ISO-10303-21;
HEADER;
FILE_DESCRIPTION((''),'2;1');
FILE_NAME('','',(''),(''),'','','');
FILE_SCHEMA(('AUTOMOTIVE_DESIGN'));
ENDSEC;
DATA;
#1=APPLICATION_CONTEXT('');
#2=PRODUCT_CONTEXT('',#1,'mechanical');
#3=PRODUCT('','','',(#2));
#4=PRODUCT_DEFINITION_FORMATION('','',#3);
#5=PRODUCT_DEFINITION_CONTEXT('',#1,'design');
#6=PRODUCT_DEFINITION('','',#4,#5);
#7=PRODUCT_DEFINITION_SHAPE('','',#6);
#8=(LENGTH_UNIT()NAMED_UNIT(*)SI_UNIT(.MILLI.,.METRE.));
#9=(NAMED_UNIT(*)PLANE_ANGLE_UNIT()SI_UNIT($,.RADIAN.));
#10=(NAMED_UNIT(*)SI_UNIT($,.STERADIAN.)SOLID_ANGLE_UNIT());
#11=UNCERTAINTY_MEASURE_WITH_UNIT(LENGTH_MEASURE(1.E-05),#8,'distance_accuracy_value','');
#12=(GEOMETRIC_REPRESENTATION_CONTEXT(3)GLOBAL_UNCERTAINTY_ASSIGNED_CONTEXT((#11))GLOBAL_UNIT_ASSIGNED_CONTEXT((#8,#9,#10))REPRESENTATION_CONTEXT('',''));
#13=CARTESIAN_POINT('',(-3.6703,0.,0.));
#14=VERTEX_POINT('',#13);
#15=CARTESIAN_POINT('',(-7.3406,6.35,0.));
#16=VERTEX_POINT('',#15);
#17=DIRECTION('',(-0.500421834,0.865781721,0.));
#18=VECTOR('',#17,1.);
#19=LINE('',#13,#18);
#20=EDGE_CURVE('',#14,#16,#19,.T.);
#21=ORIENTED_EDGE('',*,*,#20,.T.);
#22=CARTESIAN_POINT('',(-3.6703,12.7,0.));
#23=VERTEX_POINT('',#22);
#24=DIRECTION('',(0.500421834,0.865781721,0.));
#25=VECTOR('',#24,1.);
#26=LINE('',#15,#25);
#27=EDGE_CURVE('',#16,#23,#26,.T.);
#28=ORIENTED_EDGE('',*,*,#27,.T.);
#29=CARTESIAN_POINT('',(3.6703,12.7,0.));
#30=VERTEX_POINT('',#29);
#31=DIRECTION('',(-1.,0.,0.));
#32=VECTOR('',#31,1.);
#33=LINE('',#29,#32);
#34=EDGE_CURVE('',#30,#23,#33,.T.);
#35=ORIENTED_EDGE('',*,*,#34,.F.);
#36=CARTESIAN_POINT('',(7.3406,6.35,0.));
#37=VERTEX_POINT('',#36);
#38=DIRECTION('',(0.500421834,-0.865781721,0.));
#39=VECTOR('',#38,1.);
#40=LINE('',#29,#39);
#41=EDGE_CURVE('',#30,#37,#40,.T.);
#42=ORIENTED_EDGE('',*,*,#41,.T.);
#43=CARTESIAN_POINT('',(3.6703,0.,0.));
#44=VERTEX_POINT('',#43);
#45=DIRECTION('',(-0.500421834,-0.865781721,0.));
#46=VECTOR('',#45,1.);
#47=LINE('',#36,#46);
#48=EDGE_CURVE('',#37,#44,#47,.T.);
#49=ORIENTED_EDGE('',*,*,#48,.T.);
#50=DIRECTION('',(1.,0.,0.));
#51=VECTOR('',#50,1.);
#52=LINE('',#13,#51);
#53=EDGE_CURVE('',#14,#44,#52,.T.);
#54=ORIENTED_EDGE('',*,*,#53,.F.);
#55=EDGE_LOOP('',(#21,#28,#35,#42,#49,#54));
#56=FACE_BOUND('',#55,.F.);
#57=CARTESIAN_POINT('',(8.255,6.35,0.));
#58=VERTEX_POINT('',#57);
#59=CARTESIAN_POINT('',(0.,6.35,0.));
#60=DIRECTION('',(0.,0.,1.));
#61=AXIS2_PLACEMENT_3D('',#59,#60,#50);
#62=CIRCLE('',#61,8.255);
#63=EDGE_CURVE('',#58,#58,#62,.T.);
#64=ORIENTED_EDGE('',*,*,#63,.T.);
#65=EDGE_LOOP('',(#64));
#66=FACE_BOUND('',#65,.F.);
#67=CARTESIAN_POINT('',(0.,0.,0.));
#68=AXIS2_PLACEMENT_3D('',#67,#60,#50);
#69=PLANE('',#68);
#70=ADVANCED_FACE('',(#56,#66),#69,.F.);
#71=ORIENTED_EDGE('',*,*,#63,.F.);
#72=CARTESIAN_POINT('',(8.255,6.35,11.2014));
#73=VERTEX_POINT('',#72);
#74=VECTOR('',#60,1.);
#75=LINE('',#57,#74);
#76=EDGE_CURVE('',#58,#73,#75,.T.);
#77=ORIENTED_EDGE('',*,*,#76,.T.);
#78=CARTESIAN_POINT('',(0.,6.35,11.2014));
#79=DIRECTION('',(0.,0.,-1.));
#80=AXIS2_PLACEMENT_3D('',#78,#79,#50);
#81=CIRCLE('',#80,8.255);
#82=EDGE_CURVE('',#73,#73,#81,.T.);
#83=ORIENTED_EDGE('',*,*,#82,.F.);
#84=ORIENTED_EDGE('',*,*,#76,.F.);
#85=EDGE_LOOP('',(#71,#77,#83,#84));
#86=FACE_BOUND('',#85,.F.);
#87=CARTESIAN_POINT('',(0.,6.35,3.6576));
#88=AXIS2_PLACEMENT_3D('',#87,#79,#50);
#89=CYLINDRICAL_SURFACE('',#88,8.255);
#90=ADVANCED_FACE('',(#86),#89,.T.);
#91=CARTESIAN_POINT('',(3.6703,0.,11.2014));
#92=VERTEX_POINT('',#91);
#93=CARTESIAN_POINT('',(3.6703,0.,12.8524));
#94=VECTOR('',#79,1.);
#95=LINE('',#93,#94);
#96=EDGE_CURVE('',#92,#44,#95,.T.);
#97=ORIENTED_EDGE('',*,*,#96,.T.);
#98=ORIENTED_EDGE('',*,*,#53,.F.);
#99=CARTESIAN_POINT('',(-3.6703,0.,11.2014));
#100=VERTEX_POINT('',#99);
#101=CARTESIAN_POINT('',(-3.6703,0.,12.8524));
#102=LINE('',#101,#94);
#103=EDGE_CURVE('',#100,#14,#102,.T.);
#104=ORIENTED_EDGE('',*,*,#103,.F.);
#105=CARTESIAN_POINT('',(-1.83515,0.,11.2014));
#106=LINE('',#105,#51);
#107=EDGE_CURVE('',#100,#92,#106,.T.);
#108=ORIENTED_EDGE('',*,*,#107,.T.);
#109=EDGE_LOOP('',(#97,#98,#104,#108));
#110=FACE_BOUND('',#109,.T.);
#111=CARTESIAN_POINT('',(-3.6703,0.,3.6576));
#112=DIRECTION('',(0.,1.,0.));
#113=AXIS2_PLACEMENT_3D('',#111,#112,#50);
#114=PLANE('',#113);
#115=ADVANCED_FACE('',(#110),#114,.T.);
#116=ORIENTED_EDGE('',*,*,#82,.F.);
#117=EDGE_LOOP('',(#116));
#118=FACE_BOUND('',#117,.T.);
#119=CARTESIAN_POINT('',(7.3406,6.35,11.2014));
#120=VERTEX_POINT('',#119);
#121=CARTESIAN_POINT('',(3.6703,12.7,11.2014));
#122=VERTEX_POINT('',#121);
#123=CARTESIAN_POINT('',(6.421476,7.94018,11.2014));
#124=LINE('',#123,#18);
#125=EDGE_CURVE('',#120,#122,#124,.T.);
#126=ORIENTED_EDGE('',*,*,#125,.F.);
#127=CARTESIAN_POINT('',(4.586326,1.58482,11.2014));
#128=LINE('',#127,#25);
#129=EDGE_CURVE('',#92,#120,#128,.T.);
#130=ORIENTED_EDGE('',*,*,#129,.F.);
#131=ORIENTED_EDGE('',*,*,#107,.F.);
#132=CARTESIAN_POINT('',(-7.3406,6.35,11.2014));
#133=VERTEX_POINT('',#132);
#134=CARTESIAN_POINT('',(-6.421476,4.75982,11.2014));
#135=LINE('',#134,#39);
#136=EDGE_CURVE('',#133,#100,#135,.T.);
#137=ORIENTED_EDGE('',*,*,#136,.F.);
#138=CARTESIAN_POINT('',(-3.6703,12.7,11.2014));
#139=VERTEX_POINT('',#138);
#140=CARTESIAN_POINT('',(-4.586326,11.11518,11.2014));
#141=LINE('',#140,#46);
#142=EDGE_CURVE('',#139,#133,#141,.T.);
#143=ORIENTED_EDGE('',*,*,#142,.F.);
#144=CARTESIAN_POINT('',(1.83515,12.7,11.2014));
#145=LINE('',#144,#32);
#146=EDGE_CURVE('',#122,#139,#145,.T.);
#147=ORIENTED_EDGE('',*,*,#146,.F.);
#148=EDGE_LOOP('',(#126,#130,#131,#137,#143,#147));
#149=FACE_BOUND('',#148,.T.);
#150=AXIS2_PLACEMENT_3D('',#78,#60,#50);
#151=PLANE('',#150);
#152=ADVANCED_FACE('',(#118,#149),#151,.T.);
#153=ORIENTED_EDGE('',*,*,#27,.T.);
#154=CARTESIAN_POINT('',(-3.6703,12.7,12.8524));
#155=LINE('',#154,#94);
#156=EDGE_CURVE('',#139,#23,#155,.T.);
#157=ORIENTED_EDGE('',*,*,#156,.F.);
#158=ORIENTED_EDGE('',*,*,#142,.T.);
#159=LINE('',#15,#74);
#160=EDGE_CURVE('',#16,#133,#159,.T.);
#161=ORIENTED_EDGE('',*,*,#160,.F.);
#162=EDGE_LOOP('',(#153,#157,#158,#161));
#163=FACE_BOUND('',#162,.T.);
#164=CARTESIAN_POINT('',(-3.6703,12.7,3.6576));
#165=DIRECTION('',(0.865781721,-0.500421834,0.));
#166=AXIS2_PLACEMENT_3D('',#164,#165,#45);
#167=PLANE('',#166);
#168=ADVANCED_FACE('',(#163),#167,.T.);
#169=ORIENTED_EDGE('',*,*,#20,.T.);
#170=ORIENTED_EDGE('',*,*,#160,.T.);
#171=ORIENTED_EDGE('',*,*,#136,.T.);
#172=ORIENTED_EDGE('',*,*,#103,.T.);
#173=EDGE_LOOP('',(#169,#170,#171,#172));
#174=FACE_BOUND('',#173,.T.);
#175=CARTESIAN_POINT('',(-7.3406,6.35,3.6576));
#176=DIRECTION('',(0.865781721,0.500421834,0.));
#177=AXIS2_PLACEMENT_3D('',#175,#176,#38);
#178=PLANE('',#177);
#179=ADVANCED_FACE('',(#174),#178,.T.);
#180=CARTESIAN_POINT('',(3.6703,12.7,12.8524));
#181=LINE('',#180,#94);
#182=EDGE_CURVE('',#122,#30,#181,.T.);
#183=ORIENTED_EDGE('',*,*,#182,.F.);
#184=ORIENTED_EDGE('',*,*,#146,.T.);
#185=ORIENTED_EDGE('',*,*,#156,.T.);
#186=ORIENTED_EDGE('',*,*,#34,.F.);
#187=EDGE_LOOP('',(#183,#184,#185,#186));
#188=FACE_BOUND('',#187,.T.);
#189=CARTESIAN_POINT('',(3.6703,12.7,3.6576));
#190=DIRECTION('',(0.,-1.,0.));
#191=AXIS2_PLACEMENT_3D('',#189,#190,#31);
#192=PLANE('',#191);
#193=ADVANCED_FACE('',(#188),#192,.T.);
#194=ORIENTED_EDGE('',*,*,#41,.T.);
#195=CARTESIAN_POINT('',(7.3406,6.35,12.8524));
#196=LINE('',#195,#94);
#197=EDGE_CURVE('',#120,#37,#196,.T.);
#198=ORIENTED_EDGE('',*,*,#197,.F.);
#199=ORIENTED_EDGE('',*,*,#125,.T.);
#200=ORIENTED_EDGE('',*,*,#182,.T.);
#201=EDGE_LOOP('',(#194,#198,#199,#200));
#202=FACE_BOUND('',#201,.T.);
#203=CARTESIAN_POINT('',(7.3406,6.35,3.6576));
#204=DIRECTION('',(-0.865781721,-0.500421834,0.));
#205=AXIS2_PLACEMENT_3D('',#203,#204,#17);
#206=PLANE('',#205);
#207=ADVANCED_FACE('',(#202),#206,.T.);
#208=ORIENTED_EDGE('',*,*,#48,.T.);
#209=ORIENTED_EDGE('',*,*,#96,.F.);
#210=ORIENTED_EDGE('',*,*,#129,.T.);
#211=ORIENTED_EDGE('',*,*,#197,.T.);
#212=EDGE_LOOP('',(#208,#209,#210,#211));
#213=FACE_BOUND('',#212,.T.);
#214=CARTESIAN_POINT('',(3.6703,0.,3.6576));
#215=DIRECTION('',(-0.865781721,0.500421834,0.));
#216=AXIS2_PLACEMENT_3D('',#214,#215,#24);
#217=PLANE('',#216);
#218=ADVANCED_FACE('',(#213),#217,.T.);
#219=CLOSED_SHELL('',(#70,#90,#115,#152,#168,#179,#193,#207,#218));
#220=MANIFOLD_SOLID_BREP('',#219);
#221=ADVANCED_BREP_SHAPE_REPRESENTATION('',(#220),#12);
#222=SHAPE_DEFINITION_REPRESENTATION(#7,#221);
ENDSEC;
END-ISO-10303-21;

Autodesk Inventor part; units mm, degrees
ref_plane "YZ Plane" through (0, 0, 0) normal (1, 0, 0) x (0, 1, 0)
ref_plane "XZ Plane" through (0, 0, 0) normal (0, 1, 0) x (-1, 0, 0)
ref_plane "XY Plane" through (0, 0, 0) normal (0, 0, 1) x (1, 0, 0)
sketch "Sketch2" plane through (0, 0, 0) normal (0, 0, 1) x (1, 0, 0)
  line L0 (0, 12.7) -> (3.6703, 12.7)
  line L1 (0, 12.7) -> (-3.6703, 12.7)
  line L2 (0, 0) -> (3.6703, 0)
  line L3 (0, 0) -> (-3.6703, 0)
  line L4 (-3.6703, 0) -> (-7.3406, 6.35)
  line L5 (-7.3406, 6.35) -> (-3.6703, 12.7)
  line L6 (3.6703, 12.7) -> (7.3406, 6.35)
  line L7 (7.3406, 6.35) -> (3.6703, 0)
  line L8 (0, 0) -> (0, 6.35)
  circle A0 centre (0, 6.35) radius 8.255
  dimension "d11" = 6.35
  dimension "d12" = 16.51
extrude "Extrusion2" add sketch "Sketch2" along normal blind 6.223
sketch "Sketch3" plane through (0, 6.35, 6.223) normal (0, 0, 1) x (1, 0, 0)
  line L0 (-3.6703, -6.35) -> (-7.3406, 0) projected
  line L1 (-7.3406, 0) -> (-3.6703, 6.35) projected
  line L2 (-3.6703, 6.35) -> (3.6703, 6.35) projected
  line L3 (3.6703, 6.35) -> (7.3406, 0) projected
  line L4 (7.3406, 0) -> (3.6703, -6.35) projected
  line L5 (3.6703, -6.35) -> (-3.6703, -6.35) projected
  circle A0 centre (0, 0) radius 8.255 projected
  point P0 (0, -6.35)
extrude "Extrusion3" add sketch "Sketch3" along normal blind 3.302
sketch "Sketch4" plane through (0, 6.35, 9.525) normal (0, 0, 1) x (1, 0, 0)
  line L0 (-7.3406, 0) -> (-3.6703, 6.35) projected
  line L1 (-3.6703, 6.35) -> (3.6703, 6.35) projected
  line L2 (3.6703, 6.35) -> (7.3406, 0) projected
  line L3 (7.3406, 0) -> (3.6703, -6.35) projected
  line L4 (3.6703, -6.35) -> (-3.6703, -6.35) projected
  line L5 (-3.6703, -6.35) -> (-7.3406, 0) projected
  circle A0 centre (0, 0) radius 8.255 projected
  point P0 (0, -6.35)
extrude "Extrusion4" add sketch "Sketch4" along normal blind 6.5786
sketch "Sketch5" plane through (0, 6.35, 16.1036) normal (0, 0, 1) x (1, 0, 0)
  line L0 (-16.3467, 15.7745) -> (15.1254, 15.7745)
  line L1 (15.1254, 15.7745) -> (15.1254, -12.8793)
  line L2 (15.1254, -12.8793) -> (-16.3467, -12.8793)
  line L3 (-16.3467, -12.8793) -> (-16.3467, 15.7745)
  point P0 (0, -6.35)
extrude "Extrusion5" cut sketch "Sketch5" against normal blind 6.5786
sketch "Sketch8" plane through (0, 6.35, 9.525) normal (0, 0, 1) x (1, 0, 0)
  line L0 (-7.3406, 0) -> (-3.6703, -6.35) projected
  line L1 (-3.6703, 6.35) -> (-7.3406, 0) projected
  line L2 (3.6703, 6.35) -> (-3.6703, 6.35) projected
  line L3 (7.3406, 0) -> (3.6703, 6.35) projected
  line L4 (3.6703, -6.35) -> (7.3406, 0) projected
  line L5 (-3.6703, -6.35) -> (3.6703, -6.35) projected
  circle A0 centre (0, 0) radius 8.255 projected
  point P0 (0, -6.35)
extrude "Extrusion7" add sketch "Sketch8" along normal blind 15.875
sketch "Sketch9" plane through (0, 6.35, 25.4) normal (0, 0, 1) x (1, 0, 0)
  line L0 (-7.3406, 0) -> (-3.6703, 6.35) projected
  line L1 (-3.6703, 6.35) -> (3.6703, 6.35) projected
  line L2 (3.6703, 6.35) -> (7.3406, 0) projected
  line L3 (7.3406, 0) -> (3.6703, -6.35) projected
  line L4 (3.6703, -6.35) -> (-3.6703, -6.35) projected
  line L5 (-3.6703, -6.35) -> (-7.3406, 0) projected
  circle A0 centre (0, 0) radius 8.255 projected
  point P0 (0, -6.35)
extrude "Extrusion8" cut sketch "Sketch9" against normal blind 21.7424
sketch "Sketch10" plane through (0, 6.35, 3.6576) normal (0, 0, 1) x (1, 0, 0)
  line L0 (-7.3406, 0) -> (-3.6703, -6.35) projected
  line L1 (-3.6703, 6.35) -> (-7.3406, 0) projected
  line L2 (3.6703, 6.35) -> (-3.6703, 6.35) projected
  line L3 (7.3406, 0) -> (3.6703, 6.35) projected
  line L4 (3.6703, -6.35) -> (7.3406, 0) projected
  line L5 (-3.6703, -6.35) -> (3.6703, -6.35) projected
  circle A0 centre (0, 0) radius 8.255 projected
  point P0 (0, -6.35)
extrude "Extrusion9" add sketch "Sketch10" along normal blind 9.1948
sketch "Sketch11" plane through (0, 6.35, 12.8524) normal (0, 0, 1) x (1, 0, 0)
  line L0 (-15.4934, 11.3446) -> (16.2643, 11.3446)
  line L1 (16.2643, 11.3446) -> (16.2643, -11.0726)
  line L2 (16.2643, -11.0726) -> (-15.4934, -11.0726)
  line L3 (-15.4934, -11.0726) -> (-15.4934, 11.3446)
  point P0 (0, -6.35)
extrude "Extrusion10" cut sketch "Sketch11" against normal blind 1.651
properties part number ".441Spacer"
